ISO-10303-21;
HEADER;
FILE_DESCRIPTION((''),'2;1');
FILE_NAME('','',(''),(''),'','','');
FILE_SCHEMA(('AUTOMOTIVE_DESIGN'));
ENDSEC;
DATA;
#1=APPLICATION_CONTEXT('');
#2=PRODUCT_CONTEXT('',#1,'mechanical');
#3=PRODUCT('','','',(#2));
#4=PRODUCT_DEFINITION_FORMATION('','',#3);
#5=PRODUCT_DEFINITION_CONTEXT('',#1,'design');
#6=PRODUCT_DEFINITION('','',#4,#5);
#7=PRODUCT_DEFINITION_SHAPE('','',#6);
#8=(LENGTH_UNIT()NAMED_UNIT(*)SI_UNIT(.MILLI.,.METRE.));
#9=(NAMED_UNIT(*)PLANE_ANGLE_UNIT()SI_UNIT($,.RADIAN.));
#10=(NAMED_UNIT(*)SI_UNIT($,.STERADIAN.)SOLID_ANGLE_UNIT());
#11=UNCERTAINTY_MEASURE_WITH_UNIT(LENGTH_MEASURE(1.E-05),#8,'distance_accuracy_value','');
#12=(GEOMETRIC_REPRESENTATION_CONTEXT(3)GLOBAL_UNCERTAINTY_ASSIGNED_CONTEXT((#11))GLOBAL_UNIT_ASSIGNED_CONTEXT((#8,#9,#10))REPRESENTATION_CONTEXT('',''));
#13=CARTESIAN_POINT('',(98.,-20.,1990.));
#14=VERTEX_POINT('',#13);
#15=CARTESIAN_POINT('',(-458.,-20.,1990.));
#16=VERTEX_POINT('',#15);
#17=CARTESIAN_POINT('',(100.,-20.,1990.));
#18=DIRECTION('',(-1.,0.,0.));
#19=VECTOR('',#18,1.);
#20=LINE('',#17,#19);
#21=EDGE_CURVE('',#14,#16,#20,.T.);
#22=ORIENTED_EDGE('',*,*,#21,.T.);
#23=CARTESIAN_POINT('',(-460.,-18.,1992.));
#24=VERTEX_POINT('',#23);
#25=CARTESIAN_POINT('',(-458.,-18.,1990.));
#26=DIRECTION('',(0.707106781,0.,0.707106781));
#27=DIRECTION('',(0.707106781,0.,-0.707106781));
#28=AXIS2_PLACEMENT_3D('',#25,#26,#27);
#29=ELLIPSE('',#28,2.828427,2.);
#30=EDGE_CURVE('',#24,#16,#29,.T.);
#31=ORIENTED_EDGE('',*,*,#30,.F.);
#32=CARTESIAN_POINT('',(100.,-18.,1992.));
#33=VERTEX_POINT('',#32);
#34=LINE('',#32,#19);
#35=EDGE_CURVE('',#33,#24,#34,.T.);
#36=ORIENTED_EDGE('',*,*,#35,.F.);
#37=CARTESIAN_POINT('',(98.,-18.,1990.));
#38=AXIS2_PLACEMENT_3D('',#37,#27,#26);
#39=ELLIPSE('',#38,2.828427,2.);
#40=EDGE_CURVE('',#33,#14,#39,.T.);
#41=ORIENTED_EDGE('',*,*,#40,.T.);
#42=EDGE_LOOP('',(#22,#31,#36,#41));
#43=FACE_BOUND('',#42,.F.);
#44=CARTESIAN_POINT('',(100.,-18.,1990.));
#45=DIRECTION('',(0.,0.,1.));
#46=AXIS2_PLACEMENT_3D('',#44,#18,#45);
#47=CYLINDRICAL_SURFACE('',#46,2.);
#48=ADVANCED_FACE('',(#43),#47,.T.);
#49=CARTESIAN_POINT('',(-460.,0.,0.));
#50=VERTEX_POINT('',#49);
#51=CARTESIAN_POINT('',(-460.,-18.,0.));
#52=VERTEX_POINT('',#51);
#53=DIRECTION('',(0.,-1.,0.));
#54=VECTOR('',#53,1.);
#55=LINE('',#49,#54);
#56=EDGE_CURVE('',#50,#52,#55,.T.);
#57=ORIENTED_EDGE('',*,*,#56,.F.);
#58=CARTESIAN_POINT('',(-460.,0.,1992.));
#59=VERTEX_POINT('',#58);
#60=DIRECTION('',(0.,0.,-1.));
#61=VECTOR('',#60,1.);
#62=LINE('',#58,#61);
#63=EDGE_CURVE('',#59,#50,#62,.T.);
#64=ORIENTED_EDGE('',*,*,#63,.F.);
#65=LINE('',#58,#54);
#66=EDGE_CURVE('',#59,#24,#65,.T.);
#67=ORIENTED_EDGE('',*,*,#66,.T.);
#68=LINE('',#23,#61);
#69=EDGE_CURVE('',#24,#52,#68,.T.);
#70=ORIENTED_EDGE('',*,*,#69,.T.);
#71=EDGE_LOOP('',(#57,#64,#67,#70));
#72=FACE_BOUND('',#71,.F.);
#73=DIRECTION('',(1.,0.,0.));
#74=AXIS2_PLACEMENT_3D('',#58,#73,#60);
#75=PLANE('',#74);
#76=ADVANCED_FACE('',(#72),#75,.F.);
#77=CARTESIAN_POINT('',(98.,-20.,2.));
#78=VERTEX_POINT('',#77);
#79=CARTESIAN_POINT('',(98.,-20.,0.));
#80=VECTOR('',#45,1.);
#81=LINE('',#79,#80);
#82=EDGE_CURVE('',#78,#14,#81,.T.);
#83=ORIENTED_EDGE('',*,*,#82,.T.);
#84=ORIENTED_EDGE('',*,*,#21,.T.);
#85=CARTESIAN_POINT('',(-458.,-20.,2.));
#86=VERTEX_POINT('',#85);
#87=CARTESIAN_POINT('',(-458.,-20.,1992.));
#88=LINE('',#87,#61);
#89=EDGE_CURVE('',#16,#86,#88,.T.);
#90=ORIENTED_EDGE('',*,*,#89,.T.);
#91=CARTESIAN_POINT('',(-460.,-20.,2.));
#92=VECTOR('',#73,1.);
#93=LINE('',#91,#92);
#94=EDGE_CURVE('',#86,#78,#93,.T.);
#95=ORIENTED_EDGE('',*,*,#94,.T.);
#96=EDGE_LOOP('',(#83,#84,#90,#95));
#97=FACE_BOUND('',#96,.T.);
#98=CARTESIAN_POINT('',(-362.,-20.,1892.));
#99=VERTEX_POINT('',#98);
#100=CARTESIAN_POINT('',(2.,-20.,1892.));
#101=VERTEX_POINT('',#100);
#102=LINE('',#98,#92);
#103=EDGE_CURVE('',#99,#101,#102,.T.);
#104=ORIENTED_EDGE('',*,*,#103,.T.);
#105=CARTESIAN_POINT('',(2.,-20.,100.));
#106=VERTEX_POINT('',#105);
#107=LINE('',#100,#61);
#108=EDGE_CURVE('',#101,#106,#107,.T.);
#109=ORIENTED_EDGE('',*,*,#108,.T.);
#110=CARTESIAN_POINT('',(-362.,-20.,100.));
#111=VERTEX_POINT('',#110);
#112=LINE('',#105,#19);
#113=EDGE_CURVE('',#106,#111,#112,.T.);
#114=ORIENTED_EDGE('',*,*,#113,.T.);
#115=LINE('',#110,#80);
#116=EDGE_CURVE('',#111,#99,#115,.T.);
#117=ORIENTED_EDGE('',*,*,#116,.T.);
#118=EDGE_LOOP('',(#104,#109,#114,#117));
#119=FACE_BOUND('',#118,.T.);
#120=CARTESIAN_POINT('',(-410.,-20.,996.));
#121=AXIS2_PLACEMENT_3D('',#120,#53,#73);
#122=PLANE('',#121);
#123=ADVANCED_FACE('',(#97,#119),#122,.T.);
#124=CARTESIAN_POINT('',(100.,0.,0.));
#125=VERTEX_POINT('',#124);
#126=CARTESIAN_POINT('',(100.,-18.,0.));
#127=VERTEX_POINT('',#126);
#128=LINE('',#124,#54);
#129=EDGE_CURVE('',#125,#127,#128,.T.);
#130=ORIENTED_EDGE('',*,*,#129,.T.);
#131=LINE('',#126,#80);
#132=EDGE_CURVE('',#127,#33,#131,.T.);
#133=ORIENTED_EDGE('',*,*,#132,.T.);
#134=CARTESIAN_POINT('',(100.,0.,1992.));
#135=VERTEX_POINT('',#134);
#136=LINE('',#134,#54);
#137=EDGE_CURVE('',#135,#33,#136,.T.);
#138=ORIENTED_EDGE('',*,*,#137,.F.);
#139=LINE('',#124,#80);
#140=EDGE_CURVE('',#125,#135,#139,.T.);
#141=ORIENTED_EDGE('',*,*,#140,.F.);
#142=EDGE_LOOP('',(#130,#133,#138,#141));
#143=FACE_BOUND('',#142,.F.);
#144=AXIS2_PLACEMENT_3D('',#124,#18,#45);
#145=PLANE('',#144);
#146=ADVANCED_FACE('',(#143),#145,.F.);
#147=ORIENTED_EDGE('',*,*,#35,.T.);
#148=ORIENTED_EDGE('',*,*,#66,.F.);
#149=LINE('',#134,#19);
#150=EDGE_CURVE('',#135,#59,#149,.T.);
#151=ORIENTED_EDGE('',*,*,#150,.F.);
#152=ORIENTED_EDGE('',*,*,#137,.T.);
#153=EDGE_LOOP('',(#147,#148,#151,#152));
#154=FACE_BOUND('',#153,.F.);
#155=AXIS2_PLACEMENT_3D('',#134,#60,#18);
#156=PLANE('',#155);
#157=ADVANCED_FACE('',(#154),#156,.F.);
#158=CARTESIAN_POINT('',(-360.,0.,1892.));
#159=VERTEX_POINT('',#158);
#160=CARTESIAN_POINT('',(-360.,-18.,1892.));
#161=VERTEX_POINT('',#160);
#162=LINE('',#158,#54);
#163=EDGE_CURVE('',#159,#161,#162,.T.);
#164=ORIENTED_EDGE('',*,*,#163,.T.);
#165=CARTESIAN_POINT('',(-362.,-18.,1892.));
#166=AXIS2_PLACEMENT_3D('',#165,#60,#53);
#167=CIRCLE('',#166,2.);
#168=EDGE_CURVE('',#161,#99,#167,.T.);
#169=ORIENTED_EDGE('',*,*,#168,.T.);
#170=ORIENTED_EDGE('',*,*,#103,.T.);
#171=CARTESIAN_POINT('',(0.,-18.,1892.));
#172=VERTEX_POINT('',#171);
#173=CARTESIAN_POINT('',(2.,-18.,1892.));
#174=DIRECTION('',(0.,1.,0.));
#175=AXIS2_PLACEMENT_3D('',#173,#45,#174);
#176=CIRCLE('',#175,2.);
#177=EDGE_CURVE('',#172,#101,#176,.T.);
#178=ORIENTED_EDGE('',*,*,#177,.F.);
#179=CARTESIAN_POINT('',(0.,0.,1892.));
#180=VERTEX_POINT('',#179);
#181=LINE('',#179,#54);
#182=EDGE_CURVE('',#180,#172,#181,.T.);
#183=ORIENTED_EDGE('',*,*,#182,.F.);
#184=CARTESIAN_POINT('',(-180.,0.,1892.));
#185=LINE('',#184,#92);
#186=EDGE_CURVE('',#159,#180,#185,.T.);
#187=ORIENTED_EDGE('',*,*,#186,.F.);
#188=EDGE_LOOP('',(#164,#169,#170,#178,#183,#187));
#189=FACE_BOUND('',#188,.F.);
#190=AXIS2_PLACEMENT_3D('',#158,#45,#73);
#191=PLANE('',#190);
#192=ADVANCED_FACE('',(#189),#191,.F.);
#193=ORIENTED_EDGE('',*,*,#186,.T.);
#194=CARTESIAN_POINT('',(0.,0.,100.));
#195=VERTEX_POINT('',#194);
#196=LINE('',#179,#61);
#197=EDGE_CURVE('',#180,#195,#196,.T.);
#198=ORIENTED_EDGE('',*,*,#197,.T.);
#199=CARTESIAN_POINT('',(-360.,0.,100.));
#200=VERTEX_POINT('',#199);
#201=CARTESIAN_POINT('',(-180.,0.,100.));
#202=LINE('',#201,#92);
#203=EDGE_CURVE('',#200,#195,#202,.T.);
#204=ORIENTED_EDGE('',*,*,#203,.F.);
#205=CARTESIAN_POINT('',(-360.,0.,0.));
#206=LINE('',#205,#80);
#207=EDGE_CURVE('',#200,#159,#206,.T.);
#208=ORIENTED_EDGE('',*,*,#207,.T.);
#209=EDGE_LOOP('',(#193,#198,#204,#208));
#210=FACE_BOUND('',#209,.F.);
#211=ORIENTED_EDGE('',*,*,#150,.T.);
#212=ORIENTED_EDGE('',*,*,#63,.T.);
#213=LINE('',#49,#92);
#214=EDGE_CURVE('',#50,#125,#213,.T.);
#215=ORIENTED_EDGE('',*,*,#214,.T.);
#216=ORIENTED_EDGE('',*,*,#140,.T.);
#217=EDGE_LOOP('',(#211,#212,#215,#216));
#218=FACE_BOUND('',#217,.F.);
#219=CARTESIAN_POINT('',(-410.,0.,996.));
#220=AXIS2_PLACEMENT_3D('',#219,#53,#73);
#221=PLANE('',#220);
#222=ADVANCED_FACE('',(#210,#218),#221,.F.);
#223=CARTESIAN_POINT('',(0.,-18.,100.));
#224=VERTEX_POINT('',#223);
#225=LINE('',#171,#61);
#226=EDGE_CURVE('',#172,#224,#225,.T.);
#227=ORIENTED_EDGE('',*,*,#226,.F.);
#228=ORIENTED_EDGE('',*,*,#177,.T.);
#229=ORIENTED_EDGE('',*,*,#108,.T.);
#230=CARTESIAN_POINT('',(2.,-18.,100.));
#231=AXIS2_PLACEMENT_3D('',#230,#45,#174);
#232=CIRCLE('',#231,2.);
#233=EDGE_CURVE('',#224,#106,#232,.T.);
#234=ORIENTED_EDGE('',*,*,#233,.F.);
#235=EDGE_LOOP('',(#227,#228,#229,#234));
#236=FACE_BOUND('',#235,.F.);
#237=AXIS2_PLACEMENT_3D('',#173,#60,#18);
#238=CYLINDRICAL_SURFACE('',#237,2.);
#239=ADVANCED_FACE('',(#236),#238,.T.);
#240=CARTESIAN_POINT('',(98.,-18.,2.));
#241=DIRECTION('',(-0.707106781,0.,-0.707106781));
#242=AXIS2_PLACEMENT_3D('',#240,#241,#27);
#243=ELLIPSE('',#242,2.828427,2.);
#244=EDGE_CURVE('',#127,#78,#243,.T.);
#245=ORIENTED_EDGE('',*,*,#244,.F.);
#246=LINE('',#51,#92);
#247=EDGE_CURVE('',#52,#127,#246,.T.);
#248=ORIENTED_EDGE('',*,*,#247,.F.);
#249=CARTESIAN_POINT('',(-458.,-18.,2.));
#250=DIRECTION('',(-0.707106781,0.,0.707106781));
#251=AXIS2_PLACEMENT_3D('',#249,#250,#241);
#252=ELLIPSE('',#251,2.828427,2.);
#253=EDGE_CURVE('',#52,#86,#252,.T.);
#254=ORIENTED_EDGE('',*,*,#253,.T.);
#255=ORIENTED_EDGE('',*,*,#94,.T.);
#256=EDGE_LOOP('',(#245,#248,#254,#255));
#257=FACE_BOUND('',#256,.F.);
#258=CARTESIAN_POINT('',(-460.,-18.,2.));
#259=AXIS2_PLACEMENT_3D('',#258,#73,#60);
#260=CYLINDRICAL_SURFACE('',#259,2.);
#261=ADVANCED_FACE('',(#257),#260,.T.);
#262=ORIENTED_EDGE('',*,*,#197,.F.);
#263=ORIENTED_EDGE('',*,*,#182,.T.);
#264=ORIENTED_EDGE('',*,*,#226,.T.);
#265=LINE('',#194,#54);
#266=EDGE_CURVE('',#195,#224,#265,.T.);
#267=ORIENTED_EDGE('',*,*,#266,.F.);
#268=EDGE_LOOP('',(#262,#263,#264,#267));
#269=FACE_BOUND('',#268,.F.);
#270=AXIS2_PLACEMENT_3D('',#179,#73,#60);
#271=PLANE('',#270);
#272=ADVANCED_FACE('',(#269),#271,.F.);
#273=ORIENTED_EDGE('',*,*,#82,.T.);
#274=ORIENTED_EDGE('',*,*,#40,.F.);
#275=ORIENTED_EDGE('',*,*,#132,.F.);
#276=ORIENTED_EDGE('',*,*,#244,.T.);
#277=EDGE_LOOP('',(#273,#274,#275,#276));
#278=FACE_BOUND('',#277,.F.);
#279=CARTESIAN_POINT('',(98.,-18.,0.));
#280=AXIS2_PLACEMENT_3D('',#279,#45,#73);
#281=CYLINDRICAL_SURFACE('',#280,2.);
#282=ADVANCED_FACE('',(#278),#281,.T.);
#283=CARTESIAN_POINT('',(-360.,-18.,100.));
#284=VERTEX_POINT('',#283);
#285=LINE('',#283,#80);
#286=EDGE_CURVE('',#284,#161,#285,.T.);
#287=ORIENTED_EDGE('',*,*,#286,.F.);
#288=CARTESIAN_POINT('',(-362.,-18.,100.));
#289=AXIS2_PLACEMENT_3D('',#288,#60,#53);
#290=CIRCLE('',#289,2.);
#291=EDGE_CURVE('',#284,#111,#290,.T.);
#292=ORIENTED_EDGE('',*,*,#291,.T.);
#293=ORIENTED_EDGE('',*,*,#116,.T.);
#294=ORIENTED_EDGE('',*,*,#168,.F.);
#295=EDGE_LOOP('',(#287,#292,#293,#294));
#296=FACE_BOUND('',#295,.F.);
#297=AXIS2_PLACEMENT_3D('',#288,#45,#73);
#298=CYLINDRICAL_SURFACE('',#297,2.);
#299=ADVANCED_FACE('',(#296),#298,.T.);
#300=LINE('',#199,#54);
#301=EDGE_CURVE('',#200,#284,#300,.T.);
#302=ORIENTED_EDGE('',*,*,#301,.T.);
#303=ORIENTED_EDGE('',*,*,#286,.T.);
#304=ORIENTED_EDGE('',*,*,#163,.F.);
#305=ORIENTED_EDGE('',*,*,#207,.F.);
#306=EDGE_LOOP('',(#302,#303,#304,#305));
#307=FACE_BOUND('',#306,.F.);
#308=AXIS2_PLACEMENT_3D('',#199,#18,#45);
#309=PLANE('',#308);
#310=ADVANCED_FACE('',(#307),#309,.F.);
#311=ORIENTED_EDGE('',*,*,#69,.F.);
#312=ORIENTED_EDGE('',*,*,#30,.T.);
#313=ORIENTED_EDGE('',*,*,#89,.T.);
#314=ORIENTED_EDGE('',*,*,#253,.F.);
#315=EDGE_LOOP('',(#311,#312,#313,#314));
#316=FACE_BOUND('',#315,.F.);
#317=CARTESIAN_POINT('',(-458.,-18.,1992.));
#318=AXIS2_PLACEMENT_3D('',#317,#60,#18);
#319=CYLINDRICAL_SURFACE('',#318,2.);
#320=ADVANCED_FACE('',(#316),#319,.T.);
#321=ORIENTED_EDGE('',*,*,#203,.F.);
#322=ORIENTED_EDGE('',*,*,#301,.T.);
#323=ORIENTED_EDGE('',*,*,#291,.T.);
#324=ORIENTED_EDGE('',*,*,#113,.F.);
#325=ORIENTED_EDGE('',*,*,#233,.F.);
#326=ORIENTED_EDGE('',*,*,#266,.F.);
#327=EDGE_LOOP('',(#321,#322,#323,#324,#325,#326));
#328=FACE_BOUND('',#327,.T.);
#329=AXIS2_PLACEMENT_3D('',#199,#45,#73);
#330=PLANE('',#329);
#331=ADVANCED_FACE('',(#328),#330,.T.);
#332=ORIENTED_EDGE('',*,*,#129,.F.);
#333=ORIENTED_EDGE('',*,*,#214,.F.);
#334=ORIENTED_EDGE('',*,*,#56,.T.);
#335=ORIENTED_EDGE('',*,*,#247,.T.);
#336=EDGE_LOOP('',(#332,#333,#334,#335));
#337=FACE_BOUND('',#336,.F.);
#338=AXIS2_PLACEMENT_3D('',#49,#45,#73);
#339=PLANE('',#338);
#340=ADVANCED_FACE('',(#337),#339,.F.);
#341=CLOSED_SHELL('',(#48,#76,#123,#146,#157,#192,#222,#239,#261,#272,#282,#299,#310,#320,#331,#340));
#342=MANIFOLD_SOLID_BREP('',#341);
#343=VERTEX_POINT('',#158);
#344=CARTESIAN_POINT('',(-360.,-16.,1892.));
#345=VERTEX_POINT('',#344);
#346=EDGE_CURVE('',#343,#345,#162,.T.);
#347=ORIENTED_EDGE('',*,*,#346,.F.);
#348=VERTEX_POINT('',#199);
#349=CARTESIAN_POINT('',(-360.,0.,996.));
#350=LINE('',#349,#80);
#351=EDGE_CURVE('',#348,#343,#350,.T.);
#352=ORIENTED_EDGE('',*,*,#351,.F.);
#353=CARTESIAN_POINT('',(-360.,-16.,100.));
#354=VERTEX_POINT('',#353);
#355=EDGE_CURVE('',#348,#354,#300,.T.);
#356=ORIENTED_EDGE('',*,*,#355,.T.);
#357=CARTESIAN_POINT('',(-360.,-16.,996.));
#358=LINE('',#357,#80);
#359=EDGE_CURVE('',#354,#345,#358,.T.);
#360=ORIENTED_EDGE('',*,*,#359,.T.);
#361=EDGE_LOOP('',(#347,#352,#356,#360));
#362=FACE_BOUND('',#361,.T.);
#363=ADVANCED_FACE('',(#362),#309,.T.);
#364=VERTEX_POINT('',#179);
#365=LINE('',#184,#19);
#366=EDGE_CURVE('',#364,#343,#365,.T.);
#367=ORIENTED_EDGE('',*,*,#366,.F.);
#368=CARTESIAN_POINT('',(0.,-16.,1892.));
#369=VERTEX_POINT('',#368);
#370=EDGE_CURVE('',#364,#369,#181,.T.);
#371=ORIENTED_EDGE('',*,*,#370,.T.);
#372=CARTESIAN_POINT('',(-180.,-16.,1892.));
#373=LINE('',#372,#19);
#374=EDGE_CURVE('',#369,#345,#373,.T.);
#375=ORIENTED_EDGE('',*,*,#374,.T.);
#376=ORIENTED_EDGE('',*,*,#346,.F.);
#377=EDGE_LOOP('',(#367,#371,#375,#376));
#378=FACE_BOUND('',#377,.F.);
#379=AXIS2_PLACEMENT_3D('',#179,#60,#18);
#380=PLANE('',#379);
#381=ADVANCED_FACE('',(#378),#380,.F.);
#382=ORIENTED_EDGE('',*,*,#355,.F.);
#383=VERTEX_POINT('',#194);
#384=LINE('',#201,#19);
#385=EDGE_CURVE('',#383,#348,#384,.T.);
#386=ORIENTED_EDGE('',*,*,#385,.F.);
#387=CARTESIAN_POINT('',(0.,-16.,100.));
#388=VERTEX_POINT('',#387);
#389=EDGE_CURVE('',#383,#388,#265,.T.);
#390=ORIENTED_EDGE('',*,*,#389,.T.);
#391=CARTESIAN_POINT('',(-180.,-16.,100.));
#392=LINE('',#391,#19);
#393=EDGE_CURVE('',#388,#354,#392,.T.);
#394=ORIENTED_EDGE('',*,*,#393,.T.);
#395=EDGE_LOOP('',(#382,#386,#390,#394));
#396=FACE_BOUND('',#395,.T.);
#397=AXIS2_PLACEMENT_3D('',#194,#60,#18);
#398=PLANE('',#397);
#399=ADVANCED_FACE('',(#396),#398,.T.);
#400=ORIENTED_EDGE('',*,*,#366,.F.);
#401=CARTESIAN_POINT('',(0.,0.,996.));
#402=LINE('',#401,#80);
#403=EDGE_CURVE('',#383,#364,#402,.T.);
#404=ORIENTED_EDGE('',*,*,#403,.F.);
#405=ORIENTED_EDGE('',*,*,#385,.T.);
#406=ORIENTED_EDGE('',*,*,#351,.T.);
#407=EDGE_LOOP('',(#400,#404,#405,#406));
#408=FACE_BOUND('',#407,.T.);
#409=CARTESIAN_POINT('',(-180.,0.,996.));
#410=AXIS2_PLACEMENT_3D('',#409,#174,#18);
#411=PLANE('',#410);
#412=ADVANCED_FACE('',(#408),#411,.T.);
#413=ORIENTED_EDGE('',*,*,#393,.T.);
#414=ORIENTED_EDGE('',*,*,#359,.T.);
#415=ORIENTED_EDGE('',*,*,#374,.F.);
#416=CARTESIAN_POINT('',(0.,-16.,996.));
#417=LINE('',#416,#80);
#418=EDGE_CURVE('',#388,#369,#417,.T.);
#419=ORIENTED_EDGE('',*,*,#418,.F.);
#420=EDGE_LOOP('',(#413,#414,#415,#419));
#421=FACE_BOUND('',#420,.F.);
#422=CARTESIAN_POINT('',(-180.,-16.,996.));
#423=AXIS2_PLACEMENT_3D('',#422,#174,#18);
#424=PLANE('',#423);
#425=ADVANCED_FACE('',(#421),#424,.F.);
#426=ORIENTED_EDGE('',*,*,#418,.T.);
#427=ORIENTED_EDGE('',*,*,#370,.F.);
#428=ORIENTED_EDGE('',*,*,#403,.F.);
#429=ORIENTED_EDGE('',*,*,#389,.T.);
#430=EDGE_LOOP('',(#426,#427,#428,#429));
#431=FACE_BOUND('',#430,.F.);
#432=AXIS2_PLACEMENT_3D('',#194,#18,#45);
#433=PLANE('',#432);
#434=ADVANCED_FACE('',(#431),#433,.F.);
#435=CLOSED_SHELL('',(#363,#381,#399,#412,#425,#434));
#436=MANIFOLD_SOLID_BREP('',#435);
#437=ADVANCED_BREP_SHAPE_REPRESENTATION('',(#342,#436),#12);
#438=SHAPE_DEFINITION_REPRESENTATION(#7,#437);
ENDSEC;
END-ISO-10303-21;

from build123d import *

# Parameters (mm, degrees)
F0_W     = 360
F0_H     = 100
F1_DEPTH = 20
F2_R     = 2
F3_W     = 360
F3_H     = 1792
F4_DEPTH = 16


with BuildPart() as f1:
    # F0 (on Front) → F1 (new body)
    with BuildSketch(Plane.XZ):
        Polygon((-460, 0), (-360, 0), (-360, 100), (-360, 1892), (-360, 1992), (-460, 1992), align=None)
        with Locations((-180, 50)):
            Rectangle(F0_W, F0_H)
        with Locations((-180, 1942)):
            Rectangle(F0_W, F0_H)
        Polygon((0, 100), (0, 0), (100, 0), (100, 1992), (0, 1992), (0, 1892), align=None)
    extrude(amount=F1_DEPTH)

    # F2
    f2_edges = [f1.edges().sort_by_distance(p)[0] for p in [
        (-460, -20, 996),
        (-180, -20, 0),
        (100, -20, 996),
        (-180, -20, 1992),
        (-360, -20, 996),
        (0, -20, 996),
    ]]
    fillet(f2_edges, radius=F2_R)


with BuildPart() as f4:
    # F3 (on face) → F4 (new body)
    with BuildSketch(Plane(origin=(0, 0, 0), x_dir=(-1, 0, 0), z_dir=(0, 1, 0))):
        with Locations((180, 996)):
            Rectangle(F3_W, F3_H)
    extrude(amount=-F4_DEPTH)


solid = Compound([f1.part, f4.part])
